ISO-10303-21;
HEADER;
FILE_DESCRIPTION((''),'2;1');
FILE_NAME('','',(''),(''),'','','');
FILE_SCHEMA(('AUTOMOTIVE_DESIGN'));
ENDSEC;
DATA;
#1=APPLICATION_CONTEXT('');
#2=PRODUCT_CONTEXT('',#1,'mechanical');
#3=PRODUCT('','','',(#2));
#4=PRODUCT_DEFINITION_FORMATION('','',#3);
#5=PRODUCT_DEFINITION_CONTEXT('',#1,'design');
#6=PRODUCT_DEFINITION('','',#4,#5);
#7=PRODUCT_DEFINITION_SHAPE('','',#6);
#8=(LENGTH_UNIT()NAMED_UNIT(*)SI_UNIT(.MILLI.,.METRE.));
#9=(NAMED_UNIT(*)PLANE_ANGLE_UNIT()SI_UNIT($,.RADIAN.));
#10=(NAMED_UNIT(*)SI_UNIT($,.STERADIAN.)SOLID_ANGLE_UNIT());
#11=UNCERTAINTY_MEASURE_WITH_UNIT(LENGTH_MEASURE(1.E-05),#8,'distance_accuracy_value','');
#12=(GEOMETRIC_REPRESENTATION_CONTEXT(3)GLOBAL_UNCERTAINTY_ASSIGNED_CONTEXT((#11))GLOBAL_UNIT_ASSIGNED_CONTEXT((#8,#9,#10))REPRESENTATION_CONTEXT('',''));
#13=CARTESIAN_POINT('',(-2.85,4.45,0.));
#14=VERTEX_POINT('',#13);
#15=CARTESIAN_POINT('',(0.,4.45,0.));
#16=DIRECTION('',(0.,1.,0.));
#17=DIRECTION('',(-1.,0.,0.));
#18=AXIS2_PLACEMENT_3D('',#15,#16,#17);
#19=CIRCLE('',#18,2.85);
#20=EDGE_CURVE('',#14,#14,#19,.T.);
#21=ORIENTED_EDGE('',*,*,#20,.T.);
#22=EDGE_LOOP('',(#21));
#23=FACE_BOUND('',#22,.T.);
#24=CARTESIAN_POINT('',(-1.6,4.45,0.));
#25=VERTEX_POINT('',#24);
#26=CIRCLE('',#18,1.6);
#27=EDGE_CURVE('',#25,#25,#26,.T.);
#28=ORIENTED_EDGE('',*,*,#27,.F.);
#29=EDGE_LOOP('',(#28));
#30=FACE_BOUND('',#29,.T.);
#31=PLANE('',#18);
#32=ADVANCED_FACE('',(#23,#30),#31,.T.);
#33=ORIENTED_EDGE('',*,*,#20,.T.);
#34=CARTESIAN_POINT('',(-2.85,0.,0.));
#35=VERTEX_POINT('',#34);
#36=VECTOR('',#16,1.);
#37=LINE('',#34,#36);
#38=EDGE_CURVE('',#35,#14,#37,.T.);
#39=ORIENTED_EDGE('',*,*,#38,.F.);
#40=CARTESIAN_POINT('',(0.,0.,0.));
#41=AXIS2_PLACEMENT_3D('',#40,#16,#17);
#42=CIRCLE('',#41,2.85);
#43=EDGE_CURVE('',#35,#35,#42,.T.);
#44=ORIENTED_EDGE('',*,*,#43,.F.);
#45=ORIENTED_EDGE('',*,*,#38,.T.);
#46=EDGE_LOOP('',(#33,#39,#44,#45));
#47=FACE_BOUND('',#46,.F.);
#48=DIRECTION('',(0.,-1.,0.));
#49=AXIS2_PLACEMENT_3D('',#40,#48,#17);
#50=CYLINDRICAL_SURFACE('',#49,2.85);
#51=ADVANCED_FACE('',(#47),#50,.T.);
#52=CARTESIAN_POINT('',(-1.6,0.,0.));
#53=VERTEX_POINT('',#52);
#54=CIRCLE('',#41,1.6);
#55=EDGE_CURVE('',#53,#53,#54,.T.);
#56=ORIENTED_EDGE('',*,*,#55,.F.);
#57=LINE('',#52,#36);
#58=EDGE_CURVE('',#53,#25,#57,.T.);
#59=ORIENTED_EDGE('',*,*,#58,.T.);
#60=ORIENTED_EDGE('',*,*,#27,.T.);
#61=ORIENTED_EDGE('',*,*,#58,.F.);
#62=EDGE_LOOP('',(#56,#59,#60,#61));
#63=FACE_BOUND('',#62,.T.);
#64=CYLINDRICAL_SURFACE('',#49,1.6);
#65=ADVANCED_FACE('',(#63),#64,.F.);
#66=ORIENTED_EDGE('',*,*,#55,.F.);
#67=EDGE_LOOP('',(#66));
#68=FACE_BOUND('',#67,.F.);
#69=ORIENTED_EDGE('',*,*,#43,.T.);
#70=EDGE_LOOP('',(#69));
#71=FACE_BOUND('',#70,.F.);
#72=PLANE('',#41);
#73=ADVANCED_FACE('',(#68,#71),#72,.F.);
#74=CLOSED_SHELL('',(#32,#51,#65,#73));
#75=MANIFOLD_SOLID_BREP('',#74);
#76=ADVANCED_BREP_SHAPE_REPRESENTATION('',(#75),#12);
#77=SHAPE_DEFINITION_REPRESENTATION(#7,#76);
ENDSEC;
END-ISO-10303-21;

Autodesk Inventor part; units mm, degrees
ref_plane "YZ Plane" through (0, 0, 0) normal (1, 0, 0) x (0, 1, 0)
ref_plane "XZ Plane" through (0, 0, 0) normal (0, 1, 0) x (-1, 0, 0)
ref_plane "XY Plane" through (0, 0, 0) normal (0, 0, 1) x (1, 0, 0)
sketch "スケッチ1" plane through (0, 0, 0) normal (0, 1, 0) x (-1, 0, 0)
  circle A0 centre (0, 0) radius 2.85
  circle A1 centre (0, 0) radius 1.6
  dimension "d0" = 5.7
  dimension "d3" = 3.2
extrude "押し出し1" add sketch "スケッチ1" along normal blind 4.45
properties part number "belt_roller_inside"
